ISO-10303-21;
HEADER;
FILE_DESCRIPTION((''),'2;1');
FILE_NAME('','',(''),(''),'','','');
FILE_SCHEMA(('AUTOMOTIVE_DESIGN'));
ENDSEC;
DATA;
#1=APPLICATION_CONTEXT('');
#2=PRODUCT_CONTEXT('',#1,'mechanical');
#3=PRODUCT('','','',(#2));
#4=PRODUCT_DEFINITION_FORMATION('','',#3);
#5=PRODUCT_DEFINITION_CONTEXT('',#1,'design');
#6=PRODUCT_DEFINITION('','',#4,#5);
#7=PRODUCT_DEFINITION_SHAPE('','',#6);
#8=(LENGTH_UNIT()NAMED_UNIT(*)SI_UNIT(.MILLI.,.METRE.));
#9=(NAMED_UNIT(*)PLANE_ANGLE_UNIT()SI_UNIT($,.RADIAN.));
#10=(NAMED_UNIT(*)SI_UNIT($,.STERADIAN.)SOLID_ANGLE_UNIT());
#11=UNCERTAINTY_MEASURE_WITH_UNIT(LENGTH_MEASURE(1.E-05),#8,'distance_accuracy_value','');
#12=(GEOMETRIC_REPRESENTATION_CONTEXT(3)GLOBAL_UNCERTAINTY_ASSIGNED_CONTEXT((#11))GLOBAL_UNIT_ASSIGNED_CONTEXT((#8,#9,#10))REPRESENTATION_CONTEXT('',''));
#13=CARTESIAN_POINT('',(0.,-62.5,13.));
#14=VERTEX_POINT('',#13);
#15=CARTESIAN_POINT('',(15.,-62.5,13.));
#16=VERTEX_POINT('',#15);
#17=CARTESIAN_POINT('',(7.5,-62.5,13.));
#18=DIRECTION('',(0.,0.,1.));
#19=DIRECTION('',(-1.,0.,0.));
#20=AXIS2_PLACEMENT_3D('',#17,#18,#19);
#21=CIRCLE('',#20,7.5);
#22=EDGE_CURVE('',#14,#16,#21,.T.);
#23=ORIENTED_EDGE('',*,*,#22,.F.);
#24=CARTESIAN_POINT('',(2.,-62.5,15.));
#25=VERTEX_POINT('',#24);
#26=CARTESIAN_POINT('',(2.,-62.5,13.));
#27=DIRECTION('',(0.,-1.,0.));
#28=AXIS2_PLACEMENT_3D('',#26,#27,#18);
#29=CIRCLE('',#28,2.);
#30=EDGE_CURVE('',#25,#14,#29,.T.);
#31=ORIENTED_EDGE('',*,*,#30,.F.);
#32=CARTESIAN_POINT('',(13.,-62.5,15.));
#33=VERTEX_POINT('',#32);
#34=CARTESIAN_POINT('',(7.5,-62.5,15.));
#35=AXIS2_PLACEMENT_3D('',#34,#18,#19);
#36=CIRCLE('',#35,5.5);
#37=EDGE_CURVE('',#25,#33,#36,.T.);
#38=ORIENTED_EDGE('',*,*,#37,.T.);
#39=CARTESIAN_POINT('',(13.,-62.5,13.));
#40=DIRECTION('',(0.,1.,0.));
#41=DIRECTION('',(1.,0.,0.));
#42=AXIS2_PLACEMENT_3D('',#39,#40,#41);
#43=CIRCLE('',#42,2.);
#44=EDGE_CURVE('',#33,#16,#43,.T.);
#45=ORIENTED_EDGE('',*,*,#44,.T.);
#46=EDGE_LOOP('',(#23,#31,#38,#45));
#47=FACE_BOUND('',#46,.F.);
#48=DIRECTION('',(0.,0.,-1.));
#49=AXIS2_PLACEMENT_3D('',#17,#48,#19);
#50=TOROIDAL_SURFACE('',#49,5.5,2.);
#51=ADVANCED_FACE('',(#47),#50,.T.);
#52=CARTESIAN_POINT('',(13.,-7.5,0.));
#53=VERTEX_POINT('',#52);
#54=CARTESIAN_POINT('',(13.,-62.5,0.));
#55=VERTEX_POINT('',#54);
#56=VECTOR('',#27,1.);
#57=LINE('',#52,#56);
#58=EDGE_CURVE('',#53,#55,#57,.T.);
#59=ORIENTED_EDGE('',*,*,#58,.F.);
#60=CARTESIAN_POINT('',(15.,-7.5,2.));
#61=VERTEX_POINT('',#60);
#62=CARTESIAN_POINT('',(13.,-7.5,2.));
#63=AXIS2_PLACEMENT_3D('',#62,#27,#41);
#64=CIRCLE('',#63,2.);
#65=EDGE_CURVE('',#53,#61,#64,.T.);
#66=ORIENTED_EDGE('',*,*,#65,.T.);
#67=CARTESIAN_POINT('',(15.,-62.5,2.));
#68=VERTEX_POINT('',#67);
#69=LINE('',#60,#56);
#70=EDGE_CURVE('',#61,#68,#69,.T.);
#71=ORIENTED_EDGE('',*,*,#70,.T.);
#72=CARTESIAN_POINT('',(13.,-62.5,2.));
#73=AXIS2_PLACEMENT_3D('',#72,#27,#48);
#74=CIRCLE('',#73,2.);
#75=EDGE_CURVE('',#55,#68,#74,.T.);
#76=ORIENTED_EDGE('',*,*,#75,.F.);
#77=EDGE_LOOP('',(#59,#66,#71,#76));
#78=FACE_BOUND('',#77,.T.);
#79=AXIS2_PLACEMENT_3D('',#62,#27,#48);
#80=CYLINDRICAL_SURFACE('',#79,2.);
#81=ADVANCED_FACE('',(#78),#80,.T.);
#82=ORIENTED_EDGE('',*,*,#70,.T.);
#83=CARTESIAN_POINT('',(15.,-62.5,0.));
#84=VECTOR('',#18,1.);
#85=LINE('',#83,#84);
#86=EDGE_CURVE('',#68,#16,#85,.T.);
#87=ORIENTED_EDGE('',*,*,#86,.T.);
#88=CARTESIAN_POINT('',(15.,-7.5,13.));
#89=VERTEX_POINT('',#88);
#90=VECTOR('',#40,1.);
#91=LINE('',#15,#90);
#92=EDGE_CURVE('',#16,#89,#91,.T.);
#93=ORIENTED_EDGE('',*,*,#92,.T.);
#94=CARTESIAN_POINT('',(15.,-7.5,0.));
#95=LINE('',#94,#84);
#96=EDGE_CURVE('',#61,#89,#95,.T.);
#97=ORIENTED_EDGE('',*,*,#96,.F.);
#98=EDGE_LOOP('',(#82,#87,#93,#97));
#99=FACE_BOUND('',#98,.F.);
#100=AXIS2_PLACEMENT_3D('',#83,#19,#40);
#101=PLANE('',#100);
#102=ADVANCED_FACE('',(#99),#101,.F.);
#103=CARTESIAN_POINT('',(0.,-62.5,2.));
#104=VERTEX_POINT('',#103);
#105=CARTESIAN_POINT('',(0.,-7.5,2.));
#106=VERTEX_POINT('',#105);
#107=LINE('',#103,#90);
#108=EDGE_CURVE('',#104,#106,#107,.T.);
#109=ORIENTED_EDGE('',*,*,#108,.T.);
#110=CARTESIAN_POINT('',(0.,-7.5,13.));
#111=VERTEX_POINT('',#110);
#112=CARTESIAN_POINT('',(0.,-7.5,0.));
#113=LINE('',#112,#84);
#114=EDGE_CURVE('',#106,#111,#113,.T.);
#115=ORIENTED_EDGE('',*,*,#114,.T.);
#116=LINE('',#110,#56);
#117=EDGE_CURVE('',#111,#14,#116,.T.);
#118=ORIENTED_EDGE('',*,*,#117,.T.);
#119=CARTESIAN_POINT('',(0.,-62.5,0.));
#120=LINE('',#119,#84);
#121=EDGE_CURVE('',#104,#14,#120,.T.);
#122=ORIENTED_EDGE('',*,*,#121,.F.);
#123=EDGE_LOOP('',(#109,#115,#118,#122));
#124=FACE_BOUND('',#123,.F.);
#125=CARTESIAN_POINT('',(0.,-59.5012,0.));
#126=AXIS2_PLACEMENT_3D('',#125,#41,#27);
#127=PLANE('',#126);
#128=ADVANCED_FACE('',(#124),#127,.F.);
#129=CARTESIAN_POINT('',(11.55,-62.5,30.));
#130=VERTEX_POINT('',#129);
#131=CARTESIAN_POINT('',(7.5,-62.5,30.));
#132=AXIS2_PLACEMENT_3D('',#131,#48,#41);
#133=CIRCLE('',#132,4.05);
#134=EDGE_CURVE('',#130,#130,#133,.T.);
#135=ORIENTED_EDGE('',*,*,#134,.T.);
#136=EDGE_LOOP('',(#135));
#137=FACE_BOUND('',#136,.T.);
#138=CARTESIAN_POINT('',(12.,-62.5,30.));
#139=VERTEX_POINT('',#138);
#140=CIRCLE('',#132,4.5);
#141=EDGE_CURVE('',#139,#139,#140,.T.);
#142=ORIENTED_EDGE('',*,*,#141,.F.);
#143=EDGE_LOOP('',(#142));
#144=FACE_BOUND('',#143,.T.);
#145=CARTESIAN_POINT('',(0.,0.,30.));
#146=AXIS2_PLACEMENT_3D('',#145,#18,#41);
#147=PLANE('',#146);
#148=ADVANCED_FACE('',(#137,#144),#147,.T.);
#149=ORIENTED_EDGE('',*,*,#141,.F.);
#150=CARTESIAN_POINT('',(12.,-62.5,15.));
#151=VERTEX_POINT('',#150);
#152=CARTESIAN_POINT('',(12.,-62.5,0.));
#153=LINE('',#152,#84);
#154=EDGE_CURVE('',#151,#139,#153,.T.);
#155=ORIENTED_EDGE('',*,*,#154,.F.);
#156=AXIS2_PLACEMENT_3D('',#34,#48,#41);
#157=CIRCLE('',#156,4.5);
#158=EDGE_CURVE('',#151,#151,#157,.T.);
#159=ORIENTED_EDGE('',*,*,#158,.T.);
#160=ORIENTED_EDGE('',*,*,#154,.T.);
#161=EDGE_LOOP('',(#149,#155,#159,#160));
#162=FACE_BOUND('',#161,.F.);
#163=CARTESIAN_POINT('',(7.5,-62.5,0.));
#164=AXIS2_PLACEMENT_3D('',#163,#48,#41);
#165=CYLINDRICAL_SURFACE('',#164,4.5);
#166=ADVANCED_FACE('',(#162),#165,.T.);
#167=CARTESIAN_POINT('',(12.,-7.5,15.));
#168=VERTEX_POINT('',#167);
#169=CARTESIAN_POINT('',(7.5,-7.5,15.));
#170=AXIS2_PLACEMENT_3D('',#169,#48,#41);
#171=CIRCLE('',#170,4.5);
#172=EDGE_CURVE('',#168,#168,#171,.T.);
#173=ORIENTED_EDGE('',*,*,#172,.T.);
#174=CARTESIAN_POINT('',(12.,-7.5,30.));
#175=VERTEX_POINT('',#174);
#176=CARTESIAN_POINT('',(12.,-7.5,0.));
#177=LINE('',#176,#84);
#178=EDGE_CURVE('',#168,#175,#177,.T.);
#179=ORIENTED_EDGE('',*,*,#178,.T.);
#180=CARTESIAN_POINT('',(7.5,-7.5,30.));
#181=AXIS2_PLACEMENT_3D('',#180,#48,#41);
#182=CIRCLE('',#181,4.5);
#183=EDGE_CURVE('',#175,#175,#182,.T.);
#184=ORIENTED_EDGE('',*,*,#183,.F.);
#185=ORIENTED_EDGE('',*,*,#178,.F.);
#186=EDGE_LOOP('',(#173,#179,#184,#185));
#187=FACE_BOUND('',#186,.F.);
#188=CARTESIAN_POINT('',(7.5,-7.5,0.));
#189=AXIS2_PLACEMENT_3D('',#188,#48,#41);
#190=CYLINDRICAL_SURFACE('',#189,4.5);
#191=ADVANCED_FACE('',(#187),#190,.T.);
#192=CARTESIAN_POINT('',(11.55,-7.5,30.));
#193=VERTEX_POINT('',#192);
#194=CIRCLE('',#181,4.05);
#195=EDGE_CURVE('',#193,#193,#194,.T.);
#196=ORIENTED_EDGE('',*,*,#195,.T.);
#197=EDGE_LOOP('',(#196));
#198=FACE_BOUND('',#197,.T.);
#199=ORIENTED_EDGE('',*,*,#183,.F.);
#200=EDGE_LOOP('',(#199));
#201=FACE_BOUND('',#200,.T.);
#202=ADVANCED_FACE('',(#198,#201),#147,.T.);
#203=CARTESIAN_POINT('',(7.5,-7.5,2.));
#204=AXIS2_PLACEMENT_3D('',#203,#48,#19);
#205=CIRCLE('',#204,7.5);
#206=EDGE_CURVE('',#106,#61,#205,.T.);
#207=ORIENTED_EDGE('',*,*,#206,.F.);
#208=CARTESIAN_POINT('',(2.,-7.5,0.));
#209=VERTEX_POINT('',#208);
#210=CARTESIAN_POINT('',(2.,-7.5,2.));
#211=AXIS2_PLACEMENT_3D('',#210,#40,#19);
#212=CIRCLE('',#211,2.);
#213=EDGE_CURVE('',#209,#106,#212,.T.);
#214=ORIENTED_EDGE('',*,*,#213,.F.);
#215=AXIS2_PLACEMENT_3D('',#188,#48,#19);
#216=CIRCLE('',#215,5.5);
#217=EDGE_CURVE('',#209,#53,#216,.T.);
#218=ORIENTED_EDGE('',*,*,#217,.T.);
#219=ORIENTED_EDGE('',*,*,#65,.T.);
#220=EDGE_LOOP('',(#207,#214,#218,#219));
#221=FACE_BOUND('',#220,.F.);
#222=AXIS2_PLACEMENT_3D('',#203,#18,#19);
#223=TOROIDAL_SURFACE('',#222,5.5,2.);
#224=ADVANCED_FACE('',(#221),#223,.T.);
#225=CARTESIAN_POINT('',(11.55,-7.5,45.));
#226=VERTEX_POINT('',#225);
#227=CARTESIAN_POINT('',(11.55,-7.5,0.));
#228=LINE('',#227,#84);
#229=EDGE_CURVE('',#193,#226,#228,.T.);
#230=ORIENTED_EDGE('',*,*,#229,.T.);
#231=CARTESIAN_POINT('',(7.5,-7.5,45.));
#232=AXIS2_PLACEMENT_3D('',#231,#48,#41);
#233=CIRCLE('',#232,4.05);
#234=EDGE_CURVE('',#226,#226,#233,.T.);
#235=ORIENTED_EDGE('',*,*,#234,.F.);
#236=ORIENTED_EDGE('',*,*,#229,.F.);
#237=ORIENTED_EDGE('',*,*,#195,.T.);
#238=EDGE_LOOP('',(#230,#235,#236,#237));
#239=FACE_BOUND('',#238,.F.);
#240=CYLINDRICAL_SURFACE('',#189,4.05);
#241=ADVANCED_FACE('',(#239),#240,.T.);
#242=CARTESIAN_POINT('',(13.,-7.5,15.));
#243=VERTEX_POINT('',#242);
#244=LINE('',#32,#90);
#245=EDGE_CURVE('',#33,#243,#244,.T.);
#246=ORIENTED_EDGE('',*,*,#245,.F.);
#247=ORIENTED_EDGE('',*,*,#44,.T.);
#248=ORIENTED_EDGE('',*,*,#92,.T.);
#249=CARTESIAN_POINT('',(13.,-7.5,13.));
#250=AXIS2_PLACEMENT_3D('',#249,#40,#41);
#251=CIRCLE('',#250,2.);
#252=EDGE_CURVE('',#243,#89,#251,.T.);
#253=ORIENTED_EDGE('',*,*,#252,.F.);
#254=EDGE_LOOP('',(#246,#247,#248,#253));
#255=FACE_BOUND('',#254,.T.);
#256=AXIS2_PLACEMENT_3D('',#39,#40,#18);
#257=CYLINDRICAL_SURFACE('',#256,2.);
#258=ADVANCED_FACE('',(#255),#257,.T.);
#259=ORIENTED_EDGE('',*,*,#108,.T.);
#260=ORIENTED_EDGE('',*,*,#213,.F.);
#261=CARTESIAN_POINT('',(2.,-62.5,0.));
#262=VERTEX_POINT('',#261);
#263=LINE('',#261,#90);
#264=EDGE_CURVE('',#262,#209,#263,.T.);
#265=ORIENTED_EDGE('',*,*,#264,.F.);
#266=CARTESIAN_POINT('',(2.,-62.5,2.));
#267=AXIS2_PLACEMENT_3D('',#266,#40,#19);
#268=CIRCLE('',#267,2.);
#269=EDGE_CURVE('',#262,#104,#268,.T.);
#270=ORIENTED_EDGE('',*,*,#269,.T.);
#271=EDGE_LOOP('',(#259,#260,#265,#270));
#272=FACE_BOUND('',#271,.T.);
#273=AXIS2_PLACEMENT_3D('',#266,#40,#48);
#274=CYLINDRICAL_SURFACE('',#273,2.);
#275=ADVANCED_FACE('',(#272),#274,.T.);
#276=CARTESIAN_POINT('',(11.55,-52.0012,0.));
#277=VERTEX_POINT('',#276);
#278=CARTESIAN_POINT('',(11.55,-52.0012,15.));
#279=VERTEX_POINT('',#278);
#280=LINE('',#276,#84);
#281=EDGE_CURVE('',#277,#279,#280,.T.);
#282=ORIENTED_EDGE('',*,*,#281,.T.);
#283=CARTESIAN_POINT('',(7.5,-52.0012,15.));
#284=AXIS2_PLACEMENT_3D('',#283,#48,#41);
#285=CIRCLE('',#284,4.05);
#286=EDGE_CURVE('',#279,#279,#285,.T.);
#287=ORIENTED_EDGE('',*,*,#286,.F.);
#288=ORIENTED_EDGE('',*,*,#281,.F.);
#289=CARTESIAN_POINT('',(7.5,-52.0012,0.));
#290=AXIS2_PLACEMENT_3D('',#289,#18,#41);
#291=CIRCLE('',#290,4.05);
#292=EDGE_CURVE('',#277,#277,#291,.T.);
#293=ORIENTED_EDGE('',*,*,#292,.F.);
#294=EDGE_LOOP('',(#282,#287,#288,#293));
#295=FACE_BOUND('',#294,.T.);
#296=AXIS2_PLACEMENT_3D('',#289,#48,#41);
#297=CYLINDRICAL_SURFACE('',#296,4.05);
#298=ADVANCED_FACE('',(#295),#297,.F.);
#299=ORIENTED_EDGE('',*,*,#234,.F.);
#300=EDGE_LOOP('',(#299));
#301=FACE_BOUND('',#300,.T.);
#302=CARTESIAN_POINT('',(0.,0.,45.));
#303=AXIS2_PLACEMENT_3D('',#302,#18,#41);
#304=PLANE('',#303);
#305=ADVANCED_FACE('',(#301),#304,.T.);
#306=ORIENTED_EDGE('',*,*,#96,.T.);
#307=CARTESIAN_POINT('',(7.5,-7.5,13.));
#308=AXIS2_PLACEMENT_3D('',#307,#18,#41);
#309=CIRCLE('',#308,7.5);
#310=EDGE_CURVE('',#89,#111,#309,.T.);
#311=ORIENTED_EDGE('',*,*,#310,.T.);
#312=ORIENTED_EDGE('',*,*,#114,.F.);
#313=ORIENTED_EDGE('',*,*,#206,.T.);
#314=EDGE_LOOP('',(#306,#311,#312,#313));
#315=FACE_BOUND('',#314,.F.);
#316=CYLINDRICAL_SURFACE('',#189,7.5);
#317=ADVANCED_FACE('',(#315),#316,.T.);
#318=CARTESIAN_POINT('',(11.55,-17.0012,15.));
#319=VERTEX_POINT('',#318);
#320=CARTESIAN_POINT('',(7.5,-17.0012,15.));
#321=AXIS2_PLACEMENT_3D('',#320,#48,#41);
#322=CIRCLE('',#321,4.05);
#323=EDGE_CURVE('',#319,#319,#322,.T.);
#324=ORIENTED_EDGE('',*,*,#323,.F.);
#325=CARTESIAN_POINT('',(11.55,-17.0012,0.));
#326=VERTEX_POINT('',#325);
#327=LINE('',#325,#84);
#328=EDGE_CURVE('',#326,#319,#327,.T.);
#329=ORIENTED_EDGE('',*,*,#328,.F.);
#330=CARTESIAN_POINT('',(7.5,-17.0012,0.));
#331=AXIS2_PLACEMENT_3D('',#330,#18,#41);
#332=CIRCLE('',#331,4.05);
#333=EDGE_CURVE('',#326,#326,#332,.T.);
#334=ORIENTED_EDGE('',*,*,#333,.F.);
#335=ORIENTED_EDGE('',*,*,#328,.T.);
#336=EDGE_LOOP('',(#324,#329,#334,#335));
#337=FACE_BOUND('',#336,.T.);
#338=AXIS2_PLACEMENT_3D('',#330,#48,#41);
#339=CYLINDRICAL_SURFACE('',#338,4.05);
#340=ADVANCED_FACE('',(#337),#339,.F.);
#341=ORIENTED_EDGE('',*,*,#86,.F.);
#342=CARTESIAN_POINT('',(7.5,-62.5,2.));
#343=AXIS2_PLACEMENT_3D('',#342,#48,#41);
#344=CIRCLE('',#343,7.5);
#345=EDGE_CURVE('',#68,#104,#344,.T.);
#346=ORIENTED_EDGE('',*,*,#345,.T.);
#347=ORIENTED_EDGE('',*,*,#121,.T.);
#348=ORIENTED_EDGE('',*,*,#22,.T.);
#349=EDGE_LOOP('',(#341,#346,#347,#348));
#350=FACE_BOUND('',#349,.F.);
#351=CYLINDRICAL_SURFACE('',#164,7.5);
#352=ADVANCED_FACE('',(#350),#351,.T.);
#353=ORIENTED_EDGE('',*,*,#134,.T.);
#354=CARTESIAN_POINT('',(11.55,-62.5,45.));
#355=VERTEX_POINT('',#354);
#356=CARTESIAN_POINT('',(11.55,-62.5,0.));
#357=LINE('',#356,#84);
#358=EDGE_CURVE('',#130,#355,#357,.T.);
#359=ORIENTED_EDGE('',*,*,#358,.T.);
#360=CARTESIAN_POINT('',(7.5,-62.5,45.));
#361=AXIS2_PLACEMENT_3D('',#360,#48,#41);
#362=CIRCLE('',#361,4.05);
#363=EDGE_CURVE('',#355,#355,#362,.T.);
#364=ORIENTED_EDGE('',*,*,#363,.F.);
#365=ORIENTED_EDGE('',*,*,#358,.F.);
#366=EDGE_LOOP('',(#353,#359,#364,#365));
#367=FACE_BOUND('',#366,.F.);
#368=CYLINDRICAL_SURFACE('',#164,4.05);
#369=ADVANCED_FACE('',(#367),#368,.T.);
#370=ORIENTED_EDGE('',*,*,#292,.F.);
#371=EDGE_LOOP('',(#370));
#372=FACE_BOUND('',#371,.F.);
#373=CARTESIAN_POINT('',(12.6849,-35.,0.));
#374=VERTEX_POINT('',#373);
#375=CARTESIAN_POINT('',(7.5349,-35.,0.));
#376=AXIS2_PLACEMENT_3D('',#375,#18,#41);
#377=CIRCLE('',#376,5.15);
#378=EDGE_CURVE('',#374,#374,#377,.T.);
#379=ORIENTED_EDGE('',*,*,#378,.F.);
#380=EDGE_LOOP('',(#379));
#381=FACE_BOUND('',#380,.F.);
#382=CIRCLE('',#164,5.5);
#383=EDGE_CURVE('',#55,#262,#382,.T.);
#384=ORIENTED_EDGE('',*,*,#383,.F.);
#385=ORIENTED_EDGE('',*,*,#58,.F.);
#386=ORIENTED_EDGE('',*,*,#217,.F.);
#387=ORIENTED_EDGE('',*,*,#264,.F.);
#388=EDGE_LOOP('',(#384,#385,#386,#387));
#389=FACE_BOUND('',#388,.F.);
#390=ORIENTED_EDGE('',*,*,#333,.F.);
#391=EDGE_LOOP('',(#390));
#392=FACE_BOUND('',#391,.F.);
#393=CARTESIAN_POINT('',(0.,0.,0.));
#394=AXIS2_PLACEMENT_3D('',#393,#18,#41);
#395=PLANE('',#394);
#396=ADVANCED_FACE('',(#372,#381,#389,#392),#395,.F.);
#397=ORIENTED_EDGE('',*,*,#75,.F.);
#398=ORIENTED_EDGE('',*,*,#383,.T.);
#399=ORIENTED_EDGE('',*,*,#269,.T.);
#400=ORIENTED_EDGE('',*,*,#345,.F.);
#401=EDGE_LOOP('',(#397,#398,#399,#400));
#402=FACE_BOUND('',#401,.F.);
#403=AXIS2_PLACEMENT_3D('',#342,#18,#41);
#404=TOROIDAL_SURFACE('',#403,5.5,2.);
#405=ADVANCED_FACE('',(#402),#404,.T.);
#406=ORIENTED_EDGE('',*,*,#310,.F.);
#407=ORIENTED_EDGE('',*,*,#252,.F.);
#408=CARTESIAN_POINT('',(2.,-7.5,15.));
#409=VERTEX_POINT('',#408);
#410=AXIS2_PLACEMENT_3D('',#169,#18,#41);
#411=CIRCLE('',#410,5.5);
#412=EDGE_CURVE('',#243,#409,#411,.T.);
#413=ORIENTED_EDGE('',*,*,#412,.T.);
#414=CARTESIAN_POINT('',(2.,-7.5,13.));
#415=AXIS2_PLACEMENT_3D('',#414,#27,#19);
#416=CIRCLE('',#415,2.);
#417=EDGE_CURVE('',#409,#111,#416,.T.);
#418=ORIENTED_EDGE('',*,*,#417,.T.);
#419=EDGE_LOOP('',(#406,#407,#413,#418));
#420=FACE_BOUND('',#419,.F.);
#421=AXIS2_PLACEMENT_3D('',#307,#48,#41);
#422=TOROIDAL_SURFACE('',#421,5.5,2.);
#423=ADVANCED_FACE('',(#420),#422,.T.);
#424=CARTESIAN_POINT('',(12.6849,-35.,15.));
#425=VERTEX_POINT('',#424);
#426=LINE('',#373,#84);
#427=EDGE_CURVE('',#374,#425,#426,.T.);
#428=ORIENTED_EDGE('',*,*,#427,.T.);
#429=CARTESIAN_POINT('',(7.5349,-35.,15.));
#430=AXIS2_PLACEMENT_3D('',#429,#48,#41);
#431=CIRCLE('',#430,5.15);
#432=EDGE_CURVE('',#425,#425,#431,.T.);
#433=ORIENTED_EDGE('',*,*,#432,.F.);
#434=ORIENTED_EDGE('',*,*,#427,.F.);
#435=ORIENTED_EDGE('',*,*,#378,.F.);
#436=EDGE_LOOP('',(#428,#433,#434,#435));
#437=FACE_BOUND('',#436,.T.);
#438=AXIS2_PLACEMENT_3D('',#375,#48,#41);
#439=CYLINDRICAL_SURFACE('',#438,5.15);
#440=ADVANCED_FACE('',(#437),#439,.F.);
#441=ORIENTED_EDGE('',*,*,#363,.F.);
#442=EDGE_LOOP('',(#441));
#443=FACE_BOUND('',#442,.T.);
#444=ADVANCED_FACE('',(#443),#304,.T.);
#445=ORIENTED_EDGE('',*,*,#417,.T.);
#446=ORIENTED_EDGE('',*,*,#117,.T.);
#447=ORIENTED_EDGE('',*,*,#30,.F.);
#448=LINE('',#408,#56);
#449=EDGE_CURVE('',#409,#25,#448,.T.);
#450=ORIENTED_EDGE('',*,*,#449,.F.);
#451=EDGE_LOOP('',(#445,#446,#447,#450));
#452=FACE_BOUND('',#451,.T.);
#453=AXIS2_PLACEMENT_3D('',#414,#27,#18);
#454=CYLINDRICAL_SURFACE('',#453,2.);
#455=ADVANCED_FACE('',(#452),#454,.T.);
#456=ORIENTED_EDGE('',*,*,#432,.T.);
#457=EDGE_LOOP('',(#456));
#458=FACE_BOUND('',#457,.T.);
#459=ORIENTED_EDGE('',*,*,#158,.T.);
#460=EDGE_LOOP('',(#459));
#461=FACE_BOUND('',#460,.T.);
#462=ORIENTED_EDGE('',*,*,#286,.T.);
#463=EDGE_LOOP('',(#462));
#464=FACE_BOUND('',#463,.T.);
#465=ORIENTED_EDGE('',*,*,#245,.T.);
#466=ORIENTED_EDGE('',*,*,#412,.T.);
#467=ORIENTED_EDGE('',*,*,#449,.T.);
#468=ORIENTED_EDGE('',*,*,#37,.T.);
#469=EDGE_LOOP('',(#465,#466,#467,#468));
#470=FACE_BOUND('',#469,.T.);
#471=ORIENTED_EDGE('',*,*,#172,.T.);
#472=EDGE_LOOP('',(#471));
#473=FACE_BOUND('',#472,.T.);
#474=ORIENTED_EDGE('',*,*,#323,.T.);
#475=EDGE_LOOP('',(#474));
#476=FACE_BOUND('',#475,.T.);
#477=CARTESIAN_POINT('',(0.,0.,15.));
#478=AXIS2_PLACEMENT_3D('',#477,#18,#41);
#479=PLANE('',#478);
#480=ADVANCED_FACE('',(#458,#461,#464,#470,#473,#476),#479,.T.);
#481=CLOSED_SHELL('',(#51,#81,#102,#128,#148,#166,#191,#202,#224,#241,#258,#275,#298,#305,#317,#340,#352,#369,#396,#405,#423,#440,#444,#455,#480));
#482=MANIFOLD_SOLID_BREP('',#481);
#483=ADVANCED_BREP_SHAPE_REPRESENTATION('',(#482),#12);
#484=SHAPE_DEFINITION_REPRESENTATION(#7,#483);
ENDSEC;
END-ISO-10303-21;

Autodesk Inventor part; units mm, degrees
ref_plane "YZ Plane" through (0, 0, 0) normal (1, 0, 0) x (0, 1, 0)
ref_plane "XZ Plane" through (0, 0, 0) normal (0, 1, 0) x (-1, 0, 0)
ref_plane "XY Plane" through (0, 0, 0) normal (0, 0, 1) x (1, 0, 0)
sketch "Sketch1" plane through (0, 0, 0) normal (0, 0, 1) x (1, 0, 0)
  line L0 (0, -70) -> (15, -70)
  line L1 (15, -70) -> (15, 0)
  line L2 (15, 0) -> (0, 0)
  line L3 (0, 0) -> (0, -70)
  line L4 (15, -35) -> (0, -35)
  line L5 (0, -9.5012) -> (15, -9.5012)
  line L6 (15, -9.5012) -> (15, -59.5012)
  line L7 (15, -59.5012) -> (0, -59.5012)
  line L8 (0, -59.5012) -> (0, -9.5012)
  line L9 (0, -9.5012) -> (15, -59.5012) construction
  line L10 (15, -9.5012) -> (0, -59.5012) construction
  line L11 (7.5, -34.5012) -> (7.5349, -35)
  circle A0 centre (7.5349, -35) radius 5.15
  line L12 (0, -70) -> (15, -70)
  line L13 (15, -70) -> (15, -55)
  line L14 (15, -55) -> (0, -55) construction
  line L15 (0, -55) -> (0, -70)
  line L16 (0, 0) -> (15, 0)
  line L17 (15, 0) -> (15, -15)
  line L18 (15, -15) -> (0, -15) construction
  line L19 (0, -15) -> (0, 0)
  line L20 (15, -55) -> (0, -70) construction
  line L21 (0, 0) -> (15, -15) construction
  circle A1 centre (7.5, -62.5) radius 7.5
  circle A2 centre (7.5, -7.5) radius 7.5
  line L22 (0, -59.5012) -> (15, -59.5012)
  line L23 (15, -59.5012) -> (15, -44.5012)
  line L24 (15, -44.5012) -> (0, -44.5012)
  line L25 (0, -44.5012) -> (0, -59.5012)
  line L26 (15, -9.5012) -> (0, -9.5012)
  line L27 (0, -9.5012) -> (0, -24.5012)
  line L28 (0, -24.5012) -> (15, -24.5012)
  line L29 (15, -24.5012) -> (15, -9.5012)
  line L30 (0, -24.5012) -> (15, -9.5012) construction
  line L31 (0, -59.5012) -> (15, -44.5012) construction
  circle A3 centre (7.5, -52.0012) radius 4.05
  circle A4 centre (7.5, -17.0012) radius 4.05
  circle A5 centre (7.5, -62.5) radius 4.05
  circle A6 centre (7.5, -7.5) radius 4.05
  circle A7 centre (7.5, -7.5) radius 4.5
  circle A8 centre (7.5, -62.5) radius 4.5
  point P0 (15, -7.5)
  point P1 (0, -7.5)
  point P2 (0, -62.5)
  point P3 (15, -62.5)
  dimension "d0" = 15
  dimension "d1" = 70
  dimension "d2" = 15
  dimension "d3" = 50
  dimension "d4" = 0.5
  dimension "d5" = 10.3
  dimension "d6" = 15
  dimension "d7" = 15
  dimension "d8" = 15
  dimension "d9" = 15
  dimension "d10" = 15
  dimension "d11" = 15
  dimension "d12" = 15
  dimension "d14" = 8.1
  dimension "d15" = 8.1
  dimension "d16" = 8.1
  dimension "d17" = 8.1
  dimension "d18" = 15
  dimension "d19" = 0
  dimension "d20" = 0
  dimension "d27" = 9
  dimension "d28" = 9
extrude "Extrusion1" add sketch "Sketch1" along normal blind 15 contours A1 L7 A8 | L3 L7 A1 | A1 L7 L1 | L3 L24 L1 L7 A1 A3 | A1 A3 L7 A8 | A8 L7 A5 | L7 A5 A8 | A3 A1 | A1 A3 | L3 L4 A0 L1 L24 | L3 L28 L1 L4 A0 | L3 L5 A2 A4 L1 L28 | L3 A2 L5 | L5 A2 L1 | A2 L5 A7 | L5 A7 A2 A4 | A7 L5 A6 | L5 A6 A7 | A4 A2 | A2 A4
extrude "Extrusion2" add sketch "Sketch1" along normal blind 45 contours A5 L7 | L7 A5 | A6 L5 | L5 A6
extrude "Extrusion3" cut sketch "Sketch1" along normal blind 15 contours A3 A1 | A1 A3 | A4 A2 | A2 A4
extrude "Extrusion4" add sketch "Sketch1" along normal blind 30 contours A8 L7 A5 | L7 A5 A8 | A5 L7 | L7 A5 | A7 L5 A6 | L5 A6 A7 | A6 L5 | L5 A6
fillet "Fillet1" radius 2 8 edges at (7.5, 0, 15) (0, -35, 15) (7.5, -70, 15) (15, -35, 15) (7.5, 0, 0) (0, -35, 0) (7.5, -70, 0) (15, -35, 0)
properties part number "Gear_Holder_2"
